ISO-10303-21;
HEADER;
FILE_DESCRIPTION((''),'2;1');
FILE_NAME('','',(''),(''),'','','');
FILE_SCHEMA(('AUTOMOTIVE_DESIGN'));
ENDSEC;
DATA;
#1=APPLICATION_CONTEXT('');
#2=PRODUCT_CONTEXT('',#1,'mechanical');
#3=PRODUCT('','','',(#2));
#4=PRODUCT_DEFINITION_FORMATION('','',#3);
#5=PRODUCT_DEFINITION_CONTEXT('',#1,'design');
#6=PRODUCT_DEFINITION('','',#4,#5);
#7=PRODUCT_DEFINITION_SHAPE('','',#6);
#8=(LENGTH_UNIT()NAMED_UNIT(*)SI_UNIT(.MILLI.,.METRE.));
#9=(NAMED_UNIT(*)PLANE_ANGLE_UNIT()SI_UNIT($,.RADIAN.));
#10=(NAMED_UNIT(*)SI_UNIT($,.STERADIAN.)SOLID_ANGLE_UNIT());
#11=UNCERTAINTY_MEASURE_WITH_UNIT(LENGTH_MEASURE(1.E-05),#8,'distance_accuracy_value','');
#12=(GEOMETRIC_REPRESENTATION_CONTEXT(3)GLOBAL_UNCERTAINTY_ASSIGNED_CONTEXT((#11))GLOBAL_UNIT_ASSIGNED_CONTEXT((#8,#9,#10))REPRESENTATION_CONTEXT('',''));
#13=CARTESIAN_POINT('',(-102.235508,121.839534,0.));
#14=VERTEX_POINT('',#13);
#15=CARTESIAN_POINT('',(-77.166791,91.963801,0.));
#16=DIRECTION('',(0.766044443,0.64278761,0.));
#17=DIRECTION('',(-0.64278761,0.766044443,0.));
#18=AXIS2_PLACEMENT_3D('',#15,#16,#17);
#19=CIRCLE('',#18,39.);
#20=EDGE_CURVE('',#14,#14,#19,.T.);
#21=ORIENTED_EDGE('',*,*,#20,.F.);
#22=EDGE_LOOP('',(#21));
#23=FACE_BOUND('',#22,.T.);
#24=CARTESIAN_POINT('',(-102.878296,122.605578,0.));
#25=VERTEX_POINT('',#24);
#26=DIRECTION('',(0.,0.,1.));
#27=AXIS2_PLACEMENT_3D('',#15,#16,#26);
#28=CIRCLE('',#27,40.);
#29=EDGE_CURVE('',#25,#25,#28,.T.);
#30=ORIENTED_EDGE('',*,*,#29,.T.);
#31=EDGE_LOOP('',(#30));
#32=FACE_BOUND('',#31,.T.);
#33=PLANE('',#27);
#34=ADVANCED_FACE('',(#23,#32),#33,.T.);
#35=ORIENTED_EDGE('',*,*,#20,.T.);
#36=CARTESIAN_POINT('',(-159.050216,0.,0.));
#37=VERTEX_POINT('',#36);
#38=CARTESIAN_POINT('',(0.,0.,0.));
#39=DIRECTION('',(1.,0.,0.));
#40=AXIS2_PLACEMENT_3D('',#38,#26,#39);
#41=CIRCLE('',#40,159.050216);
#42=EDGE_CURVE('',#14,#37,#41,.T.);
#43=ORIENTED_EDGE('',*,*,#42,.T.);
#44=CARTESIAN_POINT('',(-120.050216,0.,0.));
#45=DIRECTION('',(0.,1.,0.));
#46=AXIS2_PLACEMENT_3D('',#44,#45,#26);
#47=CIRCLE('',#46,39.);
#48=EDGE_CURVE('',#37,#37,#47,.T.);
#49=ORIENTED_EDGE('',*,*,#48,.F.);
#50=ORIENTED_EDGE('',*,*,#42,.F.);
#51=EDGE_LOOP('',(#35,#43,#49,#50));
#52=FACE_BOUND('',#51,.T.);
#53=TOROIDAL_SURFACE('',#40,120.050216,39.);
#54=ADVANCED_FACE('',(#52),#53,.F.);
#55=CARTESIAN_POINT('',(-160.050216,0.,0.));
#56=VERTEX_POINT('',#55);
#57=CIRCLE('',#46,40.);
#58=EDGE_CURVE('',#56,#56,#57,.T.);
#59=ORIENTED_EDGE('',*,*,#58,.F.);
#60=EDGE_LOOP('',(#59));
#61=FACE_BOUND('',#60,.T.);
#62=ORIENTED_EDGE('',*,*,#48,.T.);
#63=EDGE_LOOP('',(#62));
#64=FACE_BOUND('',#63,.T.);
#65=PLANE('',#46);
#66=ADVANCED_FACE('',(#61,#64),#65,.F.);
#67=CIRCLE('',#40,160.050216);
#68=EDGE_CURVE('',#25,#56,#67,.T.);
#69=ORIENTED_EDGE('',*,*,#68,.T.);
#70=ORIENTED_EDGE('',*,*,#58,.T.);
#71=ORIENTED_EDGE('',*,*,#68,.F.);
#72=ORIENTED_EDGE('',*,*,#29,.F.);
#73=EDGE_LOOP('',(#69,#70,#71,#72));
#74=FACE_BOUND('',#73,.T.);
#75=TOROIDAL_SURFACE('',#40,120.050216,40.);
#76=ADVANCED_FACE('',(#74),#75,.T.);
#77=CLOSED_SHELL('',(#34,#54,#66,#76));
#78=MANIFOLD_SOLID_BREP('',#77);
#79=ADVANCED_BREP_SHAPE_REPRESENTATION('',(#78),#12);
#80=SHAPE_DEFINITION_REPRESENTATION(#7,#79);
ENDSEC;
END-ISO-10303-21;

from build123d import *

# Parameters (mm, degrees)
SCHIZZO3_R   = 40
SCHIZZO3_R_2 = 39


with BuildPart() as part:
    # Sweep-Sottile1: sweep along a path in Schizzo1
    with BuildLine(Plane.XY) as sweep_sottile1_path:
        ThreePointArc((-77.134513162, 91.925333174), (-108.756934444, 50.714191409), (-120, 0))
    # Schizzo3 → Sweep-Sottile1 (sweep)
    with BuildSketch(Plane(origin=(0, 0, 0), x_dir=(1, 0, 0), z_dir=(0, 1, 0))):
        with Locations((-120.050215796, 0)):
            Circle(SCHIZZO3_R)
        with Locations((-120.050215796, 0)):
            Circle(SCHIZZO3_R_2, mode=Mode.SUBTRACT)
    sweep(path=sweep_sottile1_path.line)


solid = part.part
